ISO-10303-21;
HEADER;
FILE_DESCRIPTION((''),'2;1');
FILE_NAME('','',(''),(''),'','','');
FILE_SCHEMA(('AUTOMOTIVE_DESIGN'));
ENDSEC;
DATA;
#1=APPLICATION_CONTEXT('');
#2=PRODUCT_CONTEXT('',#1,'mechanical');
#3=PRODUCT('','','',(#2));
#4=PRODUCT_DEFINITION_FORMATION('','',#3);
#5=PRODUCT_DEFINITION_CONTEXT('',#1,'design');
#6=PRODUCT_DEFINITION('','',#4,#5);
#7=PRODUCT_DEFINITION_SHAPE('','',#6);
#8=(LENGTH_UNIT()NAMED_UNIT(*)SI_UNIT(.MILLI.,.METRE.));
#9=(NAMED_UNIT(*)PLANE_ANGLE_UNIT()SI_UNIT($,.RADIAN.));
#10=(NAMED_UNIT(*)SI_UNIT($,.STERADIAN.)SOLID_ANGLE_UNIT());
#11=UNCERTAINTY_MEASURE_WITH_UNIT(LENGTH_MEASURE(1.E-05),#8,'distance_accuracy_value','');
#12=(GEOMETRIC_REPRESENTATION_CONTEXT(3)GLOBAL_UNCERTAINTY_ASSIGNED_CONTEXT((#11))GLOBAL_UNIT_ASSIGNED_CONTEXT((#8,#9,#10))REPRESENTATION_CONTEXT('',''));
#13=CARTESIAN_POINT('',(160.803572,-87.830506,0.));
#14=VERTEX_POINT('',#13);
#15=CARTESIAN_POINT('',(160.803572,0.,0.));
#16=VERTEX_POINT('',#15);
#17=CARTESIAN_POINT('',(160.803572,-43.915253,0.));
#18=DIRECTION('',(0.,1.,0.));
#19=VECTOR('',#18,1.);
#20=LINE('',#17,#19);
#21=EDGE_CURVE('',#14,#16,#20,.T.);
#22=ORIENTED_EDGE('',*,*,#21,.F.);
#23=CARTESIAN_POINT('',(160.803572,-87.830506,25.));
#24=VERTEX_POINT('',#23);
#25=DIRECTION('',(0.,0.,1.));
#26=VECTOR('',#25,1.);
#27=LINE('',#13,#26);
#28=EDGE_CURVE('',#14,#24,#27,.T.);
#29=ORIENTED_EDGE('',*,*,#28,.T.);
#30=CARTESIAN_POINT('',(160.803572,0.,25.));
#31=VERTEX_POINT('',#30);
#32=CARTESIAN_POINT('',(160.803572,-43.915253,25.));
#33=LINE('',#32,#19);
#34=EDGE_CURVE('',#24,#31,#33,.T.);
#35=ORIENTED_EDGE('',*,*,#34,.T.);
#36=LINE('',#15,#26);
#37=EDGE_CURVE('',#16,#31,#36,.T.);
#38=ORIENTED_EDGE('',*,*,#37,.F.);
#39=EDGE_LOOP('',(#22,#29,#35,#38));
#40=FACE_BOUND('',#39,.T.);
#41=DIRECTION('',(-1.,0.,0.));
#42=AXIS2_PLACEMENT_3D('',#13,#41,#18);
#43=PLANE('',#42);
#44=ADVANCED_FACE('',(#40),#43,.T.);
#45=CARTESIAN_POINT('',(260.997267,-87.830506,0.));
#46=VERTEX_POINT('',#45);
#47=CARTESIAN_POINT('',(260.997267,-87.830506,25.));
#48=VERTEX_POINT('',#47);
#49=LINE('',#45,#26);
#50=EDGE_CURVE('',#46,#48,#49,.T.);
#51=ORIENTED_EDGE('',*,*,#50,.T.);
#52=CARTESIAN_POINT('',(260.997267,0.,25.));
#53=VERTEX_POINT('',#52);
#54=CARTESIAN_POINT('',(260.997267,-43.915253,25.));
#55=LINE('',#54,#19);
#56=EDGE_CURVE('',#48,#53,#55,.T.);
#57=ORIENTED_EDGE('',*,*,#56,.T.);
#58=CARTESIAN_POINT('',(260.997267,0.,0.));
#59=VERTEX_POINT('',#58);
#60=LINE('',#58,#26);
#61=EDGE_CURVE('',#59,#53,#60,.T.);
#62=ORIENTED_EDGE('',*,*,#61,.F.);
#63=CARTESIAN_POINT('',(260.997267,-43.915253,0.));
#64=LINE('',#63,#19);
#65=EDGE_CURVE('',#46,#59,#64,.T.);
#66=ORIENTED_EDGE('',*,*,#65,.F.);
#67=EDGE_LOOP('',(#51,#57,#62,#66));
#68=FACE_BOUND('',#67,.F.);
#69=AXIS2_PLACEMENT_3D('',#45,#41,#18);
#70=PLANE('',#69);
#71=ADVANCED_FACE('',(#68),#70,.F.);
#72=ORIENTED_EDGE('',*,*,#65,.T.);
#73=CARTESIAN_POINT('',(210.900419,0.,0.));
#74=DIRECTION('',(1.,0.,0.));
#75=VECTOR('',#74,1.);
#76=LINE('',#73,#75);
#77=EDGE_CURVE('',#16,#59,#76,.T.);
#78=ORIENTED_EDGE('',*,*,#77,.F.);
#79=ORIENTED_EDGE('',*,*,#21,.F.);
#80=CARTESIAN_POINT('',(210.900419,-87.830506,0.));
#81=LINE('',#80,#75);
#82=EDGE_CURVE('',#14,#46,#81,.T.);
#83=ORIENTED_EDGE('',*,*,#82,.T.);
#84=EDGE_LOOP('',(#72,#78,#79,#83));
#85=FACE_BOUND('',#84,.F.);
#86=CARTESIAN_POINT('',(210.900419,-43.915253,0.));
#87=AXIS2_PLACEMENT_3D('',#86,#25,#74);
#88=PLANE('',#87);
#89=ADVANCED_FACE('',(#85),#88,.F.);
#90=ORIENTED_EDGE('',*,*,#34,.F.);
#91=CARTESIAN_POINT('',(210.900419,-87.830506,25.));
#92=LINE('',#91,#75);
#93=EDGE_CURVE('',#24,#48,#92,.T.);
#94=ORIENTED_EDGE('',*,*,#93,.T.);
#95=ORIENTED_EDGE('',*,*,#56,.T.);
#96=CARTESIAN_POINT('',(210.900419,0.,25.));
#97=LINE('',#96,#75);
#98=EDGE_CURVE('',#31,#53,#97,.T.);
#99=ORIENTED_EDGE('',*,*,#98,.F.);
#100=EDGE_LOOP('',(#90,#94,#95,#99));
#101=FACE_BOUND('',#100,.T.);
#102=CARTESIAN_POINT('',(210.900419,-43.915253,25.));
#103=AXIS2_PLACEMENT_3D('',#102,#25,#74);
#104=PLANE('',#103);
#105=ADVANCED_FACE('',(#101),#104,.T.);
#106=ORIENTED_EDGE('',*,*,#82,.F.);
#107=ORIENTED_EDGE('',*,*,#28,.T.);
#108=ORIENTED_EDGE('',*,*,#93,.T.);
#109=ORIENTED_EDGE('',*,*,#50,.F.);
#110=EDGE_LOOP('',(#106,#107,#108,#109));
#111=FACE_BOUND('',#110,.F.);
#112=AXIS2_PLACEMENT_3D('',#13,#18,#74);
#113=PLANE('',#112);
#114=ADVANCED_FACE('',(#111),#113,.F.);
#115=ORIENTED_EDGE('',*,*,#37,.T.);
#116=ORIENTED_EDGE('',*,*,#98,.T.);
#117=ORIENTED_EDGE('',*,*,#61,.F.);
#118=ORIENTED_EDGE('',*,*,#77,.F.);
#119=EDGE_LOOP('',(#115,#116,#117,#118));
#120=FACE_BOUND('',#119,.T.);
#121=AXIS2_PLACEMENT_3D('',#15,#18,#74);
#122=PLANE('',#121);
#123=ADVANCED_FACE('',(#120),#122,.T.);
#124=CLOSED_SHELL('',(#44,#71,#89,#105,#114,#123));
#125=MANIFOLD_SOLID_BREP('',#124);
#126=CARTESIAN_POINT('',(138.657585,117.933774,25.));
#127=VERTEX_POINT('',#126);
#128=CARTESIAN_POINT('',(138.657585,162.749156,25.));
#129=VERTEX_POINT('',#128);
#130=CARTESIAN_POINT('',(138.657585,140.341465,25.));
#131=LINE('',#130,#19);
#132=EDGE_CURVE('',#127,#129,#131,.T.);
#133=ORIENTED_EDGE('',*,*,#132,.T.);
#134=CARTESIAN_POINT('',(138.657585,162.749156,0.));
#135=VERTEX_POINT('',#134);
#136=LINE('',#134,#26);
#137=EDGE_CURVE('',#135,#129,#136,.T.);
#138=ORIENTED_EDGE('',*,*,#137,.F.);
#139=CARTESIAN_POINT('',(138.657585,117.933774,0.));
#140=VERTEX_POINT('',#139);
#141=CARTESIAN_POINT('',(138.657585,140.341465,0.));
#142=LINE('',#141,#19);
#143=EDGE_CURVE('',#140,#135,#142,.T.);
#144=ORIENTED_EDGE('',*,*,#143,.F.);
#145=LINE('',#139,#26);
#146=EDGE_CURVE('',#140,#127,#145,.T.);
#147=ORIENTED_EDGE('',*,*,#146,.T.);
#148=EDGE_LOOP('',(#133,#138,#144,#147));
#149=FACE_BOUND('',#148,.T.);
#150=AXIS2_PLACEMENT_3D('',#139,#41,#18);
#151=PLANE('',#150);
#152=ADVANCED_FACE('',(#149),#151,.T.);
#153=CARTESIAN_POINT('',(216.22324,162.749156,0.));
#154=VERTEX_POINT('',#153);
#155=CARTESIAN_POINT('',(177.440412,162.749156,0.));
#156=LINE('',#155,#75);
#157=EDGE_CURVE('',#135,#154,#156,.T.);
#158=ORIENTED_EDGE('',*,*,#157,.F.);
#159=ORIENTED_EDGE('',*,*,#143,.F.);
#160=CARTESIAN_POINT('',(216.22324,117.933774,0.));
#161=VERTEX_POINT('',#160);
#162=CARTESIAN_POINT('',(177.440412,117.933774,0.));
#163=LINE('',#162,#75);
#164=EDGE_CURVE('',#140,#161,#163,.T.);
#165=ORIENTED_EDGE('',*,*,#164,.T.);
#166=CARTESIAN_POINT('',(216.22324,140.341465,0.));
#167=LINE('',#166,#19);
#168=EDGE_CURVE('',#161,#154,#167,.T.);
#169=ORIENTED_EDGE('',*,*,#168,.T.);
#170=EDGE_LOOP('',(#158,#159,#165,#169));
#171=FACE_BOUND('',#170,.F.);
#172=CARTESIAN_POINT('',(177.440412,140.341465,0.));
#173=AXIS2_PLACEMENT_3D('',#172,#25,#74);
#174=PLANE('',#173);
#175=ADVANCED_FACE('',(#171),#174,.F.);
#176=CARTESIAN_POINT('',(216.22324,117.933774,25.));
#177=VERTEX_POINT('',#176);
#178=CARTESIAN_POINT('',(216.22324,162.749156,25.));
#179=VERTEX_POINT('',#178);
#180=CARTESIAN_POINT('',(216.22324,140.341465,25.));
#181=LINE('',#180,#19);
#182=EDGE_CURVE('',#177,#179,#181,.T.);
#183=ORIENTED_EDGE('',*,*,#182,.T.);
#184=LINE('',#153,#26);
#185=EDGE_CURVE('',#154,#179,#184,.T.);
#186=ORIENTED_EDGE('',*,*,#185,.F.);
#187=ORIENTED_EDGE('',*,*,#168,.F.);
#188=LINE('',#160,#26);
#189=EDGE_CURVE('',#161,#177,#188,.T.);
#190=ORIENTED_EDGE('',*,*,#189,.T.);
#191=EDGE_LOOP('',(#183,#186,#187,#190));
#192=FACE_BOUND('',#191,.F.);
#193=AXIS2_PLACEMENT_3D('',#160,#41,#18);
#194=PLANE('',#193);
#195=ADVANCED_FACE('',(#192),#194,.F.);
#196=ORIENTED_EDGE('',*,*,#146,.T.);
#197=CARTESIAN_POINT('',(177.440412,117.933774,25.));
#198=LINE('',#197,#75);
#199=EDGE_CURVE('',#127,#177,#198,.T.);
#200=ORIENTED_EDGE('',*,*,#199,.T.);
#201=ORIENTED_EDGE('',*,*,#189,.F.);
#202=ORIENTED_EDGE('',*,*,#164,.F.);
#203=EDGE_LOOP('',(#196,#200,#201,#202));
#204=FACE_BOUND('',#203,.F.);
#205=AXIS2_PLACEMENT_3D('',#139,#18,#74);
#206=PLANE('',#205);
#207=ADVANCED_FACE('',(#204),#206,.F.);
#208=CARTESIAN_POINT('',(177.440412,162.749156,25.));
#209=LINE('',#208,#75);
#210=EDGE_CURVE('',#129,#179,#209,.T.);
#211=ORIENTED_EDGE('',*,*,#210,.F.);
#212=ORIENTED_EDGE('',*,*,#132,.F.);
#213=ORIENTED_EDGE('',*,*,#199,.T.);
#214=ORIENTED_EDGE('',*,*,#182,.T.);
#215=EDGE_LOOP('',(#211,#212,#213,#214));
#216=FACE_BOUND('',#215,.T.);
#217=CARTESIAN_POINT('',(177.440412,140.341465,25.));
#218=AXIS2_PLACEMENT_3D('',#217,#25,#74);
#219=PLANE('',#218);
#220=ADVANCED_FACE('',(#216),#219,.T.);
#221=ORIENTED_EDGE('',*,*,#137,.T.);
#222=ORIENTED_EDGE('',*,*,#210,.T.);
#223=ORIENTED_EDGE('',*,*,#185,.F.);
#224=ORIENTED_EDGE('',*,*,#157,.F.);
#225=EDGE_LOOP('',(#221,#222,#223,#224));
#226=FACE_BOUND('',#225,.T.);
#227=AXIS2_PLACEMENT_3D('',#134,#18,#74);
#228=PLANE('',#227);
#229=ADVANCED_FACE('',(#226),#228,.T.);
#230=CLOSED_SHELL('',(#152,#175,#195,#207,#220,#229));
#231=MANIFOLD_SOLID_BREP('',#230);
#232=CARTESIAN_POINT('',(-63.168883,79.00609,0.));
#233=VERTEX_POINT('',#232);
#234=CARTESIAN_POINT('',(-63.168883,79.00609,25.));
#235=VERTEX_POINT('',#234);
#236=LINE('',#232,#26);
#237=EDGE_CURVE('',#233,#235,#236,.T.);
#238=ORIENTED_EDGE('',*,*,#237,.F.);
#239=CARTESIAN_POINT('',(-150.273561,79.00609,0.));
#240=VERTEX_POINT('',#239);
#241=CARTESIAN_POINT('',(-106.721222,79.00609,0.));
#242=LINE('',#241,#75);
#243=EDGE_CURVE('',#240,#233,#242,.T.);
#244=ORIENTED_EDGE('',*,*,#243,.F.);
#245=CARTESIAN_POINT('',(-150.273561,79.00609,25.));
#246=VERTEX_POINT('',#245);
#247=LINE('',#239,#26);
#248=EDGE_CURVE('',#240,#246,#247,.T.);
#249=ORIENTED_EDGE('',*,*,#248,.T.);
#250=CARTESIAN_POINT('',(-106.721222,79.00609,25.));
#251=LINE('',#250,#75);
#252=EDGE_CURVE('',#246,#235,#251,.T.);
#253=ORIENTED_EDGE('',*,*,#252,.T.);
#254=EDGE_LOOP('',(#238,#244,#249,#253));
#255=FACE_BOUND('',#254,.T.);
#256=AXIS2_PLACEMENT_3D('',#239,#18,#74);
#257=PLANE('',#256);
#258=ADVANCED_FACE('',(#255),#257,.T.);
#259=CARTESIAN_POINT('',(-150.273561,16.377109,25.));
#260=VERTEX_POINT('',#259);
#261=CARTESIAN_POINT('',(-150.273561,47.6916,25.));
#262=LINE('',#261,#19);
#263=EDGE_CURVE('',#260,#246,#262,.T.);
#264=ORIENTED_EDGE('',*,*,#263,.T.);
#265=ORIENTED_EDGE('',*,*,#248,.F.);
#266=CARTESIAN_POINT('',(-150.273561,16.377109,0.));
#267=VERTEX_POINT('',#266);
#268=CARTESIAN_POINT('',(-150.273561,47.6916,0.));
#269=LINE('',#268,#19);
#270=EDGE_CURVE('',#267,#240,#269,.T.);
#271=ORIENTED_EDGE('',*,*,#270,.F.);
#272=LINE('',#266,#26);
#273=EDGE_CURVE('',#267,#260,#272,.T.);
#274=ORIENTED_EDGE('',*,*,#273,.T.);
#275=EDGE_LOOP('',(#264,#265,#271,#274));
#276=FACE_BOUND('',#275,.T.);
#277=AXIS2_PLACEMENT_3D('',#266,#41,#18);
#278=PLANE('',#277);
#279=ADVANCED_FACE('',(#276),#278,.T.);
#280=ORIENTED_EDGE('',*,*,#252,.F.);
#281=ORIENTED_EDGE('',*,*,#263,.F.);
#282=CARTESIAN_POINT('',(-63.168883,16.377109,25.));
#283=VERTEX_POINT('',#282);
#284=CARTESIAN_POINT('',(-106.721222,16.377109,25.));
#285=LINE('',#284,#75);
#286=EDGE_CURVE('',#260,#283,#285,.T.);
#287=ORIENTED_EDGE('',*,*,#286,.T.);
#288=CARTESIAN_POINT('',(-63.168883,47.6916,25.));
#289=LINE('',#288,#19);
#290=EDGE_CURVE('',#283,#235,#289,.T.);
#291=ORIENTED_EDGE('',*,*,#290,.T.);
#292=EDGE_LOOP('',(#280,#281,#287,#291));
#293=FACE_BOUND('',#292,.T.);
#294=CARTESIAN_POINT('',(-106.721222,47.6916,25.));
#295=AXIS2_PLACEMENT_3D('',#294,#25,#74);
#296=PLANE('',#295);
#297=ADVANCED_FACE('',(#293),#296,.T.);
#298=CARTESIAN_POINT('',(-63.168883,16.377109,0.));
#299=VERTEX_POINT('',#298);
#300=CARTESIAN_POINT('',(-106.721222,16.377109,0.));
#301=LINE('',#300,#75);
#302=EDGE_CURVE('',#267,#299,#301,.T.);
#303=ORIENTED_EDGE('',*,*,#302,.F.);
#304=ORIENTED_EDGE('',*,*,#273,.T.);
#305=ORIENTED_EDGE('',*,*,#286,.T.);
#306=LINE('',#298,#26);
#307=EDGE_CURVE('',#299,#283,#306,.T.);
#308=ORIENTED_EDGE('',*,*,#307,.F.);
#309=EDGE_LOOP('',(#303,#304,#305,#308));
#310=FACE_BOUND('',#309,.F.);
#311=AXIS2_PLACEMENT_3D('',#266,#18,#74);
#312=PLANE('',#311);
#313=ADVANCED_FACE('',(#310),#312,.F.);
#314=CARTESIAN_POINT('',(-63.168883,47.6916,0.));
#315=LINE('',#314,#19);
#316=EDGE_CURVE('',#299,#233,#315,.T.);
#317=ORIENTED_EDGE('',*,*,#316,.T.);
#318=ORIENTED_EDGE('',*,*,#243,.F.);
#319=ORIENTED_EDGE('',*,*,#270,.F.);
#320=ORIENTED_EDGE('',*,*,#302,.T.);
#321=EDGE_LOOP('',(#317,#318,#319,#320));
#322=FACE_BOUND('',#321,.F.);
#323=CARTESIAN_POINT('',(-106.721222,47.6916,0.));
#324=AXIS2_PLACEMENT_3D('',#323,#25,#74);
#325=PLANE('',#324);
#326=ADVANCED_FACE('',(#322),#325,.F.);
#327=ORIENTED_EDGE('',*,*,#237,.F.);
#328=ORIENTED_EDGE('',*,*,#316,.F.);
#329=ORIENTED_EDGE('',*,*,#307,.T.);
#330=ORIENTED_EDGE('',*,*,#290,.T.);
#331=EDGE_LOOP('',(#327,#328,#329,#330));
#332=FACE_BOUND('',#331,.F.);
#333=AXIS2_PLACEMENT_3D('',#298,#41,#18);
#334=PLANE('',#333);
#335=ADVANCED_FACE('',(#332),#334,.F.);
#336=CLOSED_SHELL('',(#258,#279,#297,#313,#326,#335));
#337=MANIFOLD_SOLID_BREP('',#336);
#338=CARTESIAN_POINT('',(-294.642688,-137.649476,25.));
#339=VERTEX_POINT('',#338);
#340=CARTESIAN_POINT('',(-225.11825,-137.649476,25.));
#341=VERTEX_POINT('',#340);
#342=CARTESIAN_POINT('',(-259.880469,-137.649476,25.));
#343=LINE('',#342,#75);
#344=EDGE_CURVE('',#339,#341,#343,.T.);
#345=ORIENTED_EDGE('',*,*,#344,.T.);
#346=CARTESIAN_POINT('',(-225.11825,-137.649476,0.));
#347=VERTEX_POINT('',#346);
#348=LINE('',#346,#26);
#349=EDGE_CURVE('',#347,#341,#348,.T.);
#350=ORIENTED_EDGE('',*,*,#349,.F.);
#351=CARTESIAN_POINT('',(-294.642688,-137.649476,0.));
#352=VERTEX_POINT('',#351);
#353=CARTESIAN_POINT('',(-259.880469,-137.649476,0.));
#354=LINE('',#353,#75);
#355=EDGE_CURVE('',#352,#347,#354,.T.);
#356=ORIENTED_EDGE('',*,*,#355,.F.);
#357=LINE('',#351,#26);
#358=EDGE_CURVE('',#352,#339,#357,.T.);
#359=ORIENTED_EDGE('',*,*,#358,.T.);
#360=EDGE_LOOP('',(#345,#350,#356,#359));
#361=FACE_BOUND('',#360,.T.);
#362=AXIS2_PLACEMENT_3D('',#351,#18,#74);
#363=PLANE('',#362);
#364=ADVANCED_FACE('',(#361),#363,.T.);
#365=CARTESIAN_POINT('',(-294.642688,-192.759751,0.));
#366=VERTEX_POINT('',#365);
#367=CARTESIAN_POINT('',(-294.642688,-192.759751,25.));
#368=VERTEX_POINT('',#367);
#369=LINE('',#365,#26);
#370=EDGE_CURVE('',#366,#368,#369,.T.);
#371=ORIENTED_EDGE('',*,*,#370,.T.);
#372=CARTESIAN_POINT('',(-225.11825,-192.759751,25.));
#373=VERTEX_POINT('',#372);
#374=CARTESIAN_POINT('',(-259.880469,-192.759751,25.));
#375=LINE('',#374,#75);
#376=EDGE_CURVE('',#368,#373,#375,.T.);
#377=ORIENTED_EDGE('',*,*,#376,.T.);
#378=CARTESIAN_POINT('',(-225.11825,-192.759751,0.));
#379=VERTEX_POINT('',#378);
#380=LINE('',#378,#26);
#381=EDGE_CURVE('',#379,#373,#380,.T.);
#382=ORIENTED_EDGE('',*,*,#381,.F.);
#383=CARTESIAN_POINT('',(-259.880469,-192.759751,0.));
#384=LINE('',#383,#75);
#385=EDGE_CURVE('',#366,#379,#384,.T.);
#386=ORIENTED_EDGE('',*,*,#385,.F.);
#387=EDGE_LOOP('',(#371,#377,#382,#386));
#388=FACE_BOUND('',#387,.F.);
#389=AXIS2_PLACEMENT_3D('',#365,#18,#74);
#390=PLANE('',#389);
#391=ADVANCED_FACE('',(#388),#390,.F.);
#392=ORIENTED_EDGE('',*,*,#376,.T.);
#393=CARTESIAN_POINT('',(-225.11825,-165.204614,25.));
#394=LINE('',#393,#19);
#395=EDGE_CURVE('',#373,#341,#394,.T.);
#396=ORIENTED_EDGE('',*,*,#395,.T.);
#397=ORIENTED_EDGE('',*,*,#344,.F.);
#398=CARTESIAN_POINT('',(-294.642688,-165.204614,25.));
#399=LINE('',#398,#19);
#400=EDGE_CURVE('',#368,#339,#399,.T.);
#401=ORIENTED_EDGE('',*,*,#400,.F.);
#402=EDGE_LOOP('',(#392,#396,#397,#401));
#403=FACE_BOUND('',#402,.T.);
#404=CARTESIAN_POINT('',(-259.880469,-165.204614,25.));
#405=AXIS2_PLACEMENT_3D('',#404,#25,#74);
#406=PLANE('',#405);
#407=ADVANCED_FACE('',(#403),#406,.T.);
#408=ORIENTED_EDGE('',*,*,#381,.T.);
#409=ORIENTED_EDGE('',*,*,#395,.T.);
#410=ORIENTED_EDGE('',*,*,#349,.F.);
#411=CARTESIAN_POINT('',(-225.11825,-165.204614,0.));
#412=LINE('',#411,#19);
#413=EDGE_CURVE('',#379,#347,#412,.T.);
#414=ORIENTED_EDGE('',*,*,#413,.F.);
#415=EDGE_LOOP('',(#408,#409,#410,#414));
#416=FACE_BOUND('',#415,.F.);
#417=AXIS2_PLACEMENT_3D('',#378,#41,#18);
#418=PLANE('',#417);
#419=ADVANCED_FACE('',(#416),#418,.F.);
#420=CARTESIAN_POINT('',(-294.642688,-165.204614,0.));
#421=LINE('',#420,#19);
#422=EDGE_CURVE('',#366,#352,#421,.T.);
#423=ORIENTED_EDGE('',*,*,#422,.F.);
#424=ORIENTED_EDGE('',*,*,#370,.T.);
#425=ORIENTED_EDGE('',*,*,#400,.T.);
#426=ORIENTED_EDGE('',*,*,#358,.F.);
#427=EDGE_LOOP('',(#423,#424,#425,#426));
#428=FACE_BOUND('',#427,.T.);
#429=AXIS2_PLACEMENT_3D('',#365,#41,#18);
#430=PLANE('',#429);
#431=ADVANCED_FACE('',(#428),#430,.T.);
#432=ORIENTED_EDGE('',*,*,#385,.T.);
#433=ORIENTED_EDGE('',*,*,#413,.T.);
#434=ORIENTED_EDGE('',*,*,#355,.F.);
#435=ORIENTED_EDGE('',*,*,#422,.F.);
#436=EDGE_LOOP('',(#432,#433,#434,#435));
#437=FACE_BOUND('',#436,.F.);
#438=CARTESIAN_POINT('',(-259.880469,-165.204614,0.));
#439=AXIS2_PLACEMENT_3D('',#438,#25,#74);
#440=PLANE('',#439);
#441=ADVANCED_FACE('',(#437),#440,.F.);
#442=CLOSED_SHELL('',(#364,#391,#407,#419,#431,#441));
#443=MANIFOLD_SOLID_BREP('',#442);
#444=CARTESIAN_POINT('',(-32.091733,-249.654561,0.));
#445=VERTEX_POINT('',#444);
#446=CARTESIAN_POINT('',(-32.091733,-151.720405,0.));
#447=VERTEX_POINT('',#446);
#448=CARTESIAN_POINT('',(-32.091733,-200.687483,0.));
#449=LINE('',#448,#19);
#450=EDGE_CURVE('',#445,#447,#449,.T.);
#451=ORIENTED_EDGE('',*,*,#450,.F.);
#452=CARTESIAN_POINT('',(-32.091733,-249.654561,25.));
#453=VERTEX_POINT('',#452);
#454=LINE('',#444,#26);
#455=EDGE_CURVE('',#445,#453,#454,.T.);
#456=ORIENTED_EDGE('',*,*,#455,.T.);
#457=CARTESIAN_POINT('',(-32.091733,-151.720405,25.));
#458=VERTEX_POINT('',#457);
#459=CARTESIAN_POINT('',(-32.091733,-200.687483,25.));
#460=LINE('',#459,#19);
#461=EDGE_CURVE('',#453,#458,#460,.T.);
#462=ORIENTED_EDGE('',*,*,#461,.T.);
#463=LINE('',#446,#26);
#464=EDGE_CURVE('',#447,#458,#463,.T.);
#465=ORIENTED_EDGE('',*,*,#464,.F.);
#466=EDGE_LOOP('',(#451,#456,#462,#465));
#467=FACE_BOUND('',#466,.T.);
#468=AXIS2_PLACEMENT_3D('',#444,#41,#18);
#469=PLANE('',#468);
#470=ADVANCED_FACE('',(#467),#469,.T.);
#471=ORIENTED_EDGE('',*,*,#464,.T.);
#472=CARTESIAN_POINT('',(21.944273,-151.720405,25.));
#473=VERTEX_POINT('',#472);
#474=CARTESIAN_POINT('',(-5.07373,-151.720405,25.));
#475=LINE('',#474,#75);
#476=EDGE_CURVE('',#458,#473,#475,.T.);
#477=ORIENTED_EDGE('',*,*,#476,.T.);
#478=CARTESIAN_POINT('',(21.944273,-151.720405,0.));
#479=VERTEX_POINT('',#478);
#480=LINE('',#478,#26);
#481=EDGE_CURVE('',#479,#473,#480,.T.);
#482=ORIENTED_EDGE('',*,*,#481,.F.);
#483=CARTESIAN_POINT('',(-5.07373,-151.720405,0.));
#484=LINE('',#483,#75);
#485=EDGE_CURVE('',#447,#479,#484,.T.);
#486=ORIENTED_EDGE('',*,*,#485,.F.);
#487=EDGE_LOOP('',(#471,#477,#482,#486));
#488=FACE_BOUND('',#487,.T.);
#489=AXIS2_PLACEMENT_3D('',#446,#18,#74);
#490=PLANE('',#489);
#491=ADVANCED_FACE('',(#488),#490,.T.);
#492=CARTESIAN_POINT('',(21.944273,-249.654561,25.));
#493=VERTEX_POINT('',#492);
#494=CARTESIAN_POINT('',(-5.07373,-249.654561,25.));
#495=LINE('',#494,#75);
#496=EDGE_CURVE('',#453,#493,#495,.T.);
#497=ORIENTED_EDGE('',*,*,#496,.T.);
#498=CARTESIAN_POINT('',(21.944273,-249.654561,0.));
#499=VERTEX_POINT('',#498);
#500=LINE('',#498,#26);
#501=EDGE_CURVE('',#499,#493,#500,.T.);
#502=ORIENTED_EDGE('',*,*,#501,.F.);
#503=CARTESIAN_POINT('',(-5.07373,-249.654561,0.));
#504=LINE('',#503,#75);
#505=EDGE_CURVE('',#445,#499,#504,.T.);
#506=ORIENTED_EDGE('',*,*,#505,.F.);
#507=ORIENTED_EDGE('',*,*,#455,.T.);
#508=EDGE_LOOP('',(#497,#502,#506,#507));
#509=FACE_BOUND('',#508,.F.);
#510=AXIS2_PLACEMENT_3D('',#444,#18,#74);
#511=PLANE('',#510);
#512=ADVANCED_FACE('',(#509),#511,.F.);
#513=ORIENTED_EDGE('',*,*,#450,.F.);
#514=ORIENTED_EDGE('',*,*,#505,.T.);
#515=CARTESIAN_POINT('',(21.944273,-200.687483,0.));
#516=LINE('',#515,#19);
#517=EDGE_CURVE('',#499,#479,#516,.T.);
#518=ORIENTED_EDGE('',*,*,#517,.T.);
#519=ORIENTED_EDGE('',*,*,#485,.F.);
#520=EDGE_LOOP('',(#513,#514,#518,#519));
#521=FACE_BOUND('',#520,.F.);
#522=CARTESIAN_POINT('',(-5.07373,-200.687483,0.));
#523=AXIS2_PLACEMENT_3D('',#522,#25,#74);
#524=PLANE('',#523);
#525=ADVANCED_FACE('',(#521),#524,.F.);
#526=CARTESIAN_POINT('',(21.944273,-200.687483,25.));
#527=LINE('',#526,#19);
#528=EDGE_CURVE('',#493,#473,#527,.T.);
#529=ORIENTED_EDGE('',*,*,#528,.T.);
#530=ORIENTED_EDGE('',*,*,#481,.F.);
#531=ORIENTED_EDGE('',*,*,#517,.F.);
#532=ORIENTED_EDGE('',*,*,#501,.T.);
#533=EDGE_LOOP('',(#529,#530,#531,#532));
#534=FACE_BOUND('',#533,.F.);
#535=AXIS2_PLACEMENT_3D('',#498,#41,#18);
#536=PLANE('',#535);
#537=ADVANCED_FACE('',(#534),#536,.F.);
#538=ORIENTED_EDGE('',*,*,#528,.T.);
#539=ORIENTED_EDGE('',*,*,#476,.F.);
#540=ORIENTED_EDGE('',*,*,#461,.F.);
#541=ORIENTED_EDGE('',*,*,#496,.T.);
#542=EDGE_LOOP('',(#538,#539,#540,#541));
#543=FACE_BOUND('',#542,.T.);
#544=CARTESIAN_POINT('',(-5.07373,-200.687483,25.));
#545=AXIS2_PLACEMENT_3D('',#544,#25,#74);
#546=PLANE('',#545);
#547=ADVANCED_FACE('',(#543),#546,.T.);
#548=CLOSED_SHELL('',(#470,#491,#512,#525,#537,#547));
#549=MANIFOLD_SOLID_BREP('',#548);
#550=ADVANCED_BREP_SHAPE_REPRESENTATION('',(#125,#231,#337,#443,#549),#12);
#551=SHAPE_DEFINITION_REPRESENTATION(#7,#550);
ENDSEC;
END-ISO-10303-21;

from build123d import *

# Parameters (mm, degrees)
F0_W     = 87.104678
F0_H     = 62.628981
F0_W_2   = 69.524437
F0_H_2   = 55.110275
F0_W_3   = 54.036006
F0_H_3   = 97.934156
F0_W_4   = 100.193695
F0_H_4   = 87.830506
F0_W_5   = 77.565655
F0_H_5   = 44.815383
F1_DEPTH = 25


with BuildPart() as f1:
    # F0 (on Top) → F1 (new body)
    with BuildSketch(Plane.XY):
        with Locations((-106.721222, 47.6916)):
            Rectangle(F0_W, F0_H)
        with Locations((-259.880469, -165.204614)):
            Rectangle(F0_W_2, F0_H_2)
        with Locations((-5.07373, -200.687483)):
            Rectangle(F0_W_3, F0_H_3)
        with Locations((210.900419, -43.915253)):
            Rectangle(F0_W_4, F0_H_4)
        with Locations((177.440412, 140.341465)):
            Rectangle(F0_W_5, F0_H_5)
    extrude(amount=F1_DEPTH)


solid = f1.part
